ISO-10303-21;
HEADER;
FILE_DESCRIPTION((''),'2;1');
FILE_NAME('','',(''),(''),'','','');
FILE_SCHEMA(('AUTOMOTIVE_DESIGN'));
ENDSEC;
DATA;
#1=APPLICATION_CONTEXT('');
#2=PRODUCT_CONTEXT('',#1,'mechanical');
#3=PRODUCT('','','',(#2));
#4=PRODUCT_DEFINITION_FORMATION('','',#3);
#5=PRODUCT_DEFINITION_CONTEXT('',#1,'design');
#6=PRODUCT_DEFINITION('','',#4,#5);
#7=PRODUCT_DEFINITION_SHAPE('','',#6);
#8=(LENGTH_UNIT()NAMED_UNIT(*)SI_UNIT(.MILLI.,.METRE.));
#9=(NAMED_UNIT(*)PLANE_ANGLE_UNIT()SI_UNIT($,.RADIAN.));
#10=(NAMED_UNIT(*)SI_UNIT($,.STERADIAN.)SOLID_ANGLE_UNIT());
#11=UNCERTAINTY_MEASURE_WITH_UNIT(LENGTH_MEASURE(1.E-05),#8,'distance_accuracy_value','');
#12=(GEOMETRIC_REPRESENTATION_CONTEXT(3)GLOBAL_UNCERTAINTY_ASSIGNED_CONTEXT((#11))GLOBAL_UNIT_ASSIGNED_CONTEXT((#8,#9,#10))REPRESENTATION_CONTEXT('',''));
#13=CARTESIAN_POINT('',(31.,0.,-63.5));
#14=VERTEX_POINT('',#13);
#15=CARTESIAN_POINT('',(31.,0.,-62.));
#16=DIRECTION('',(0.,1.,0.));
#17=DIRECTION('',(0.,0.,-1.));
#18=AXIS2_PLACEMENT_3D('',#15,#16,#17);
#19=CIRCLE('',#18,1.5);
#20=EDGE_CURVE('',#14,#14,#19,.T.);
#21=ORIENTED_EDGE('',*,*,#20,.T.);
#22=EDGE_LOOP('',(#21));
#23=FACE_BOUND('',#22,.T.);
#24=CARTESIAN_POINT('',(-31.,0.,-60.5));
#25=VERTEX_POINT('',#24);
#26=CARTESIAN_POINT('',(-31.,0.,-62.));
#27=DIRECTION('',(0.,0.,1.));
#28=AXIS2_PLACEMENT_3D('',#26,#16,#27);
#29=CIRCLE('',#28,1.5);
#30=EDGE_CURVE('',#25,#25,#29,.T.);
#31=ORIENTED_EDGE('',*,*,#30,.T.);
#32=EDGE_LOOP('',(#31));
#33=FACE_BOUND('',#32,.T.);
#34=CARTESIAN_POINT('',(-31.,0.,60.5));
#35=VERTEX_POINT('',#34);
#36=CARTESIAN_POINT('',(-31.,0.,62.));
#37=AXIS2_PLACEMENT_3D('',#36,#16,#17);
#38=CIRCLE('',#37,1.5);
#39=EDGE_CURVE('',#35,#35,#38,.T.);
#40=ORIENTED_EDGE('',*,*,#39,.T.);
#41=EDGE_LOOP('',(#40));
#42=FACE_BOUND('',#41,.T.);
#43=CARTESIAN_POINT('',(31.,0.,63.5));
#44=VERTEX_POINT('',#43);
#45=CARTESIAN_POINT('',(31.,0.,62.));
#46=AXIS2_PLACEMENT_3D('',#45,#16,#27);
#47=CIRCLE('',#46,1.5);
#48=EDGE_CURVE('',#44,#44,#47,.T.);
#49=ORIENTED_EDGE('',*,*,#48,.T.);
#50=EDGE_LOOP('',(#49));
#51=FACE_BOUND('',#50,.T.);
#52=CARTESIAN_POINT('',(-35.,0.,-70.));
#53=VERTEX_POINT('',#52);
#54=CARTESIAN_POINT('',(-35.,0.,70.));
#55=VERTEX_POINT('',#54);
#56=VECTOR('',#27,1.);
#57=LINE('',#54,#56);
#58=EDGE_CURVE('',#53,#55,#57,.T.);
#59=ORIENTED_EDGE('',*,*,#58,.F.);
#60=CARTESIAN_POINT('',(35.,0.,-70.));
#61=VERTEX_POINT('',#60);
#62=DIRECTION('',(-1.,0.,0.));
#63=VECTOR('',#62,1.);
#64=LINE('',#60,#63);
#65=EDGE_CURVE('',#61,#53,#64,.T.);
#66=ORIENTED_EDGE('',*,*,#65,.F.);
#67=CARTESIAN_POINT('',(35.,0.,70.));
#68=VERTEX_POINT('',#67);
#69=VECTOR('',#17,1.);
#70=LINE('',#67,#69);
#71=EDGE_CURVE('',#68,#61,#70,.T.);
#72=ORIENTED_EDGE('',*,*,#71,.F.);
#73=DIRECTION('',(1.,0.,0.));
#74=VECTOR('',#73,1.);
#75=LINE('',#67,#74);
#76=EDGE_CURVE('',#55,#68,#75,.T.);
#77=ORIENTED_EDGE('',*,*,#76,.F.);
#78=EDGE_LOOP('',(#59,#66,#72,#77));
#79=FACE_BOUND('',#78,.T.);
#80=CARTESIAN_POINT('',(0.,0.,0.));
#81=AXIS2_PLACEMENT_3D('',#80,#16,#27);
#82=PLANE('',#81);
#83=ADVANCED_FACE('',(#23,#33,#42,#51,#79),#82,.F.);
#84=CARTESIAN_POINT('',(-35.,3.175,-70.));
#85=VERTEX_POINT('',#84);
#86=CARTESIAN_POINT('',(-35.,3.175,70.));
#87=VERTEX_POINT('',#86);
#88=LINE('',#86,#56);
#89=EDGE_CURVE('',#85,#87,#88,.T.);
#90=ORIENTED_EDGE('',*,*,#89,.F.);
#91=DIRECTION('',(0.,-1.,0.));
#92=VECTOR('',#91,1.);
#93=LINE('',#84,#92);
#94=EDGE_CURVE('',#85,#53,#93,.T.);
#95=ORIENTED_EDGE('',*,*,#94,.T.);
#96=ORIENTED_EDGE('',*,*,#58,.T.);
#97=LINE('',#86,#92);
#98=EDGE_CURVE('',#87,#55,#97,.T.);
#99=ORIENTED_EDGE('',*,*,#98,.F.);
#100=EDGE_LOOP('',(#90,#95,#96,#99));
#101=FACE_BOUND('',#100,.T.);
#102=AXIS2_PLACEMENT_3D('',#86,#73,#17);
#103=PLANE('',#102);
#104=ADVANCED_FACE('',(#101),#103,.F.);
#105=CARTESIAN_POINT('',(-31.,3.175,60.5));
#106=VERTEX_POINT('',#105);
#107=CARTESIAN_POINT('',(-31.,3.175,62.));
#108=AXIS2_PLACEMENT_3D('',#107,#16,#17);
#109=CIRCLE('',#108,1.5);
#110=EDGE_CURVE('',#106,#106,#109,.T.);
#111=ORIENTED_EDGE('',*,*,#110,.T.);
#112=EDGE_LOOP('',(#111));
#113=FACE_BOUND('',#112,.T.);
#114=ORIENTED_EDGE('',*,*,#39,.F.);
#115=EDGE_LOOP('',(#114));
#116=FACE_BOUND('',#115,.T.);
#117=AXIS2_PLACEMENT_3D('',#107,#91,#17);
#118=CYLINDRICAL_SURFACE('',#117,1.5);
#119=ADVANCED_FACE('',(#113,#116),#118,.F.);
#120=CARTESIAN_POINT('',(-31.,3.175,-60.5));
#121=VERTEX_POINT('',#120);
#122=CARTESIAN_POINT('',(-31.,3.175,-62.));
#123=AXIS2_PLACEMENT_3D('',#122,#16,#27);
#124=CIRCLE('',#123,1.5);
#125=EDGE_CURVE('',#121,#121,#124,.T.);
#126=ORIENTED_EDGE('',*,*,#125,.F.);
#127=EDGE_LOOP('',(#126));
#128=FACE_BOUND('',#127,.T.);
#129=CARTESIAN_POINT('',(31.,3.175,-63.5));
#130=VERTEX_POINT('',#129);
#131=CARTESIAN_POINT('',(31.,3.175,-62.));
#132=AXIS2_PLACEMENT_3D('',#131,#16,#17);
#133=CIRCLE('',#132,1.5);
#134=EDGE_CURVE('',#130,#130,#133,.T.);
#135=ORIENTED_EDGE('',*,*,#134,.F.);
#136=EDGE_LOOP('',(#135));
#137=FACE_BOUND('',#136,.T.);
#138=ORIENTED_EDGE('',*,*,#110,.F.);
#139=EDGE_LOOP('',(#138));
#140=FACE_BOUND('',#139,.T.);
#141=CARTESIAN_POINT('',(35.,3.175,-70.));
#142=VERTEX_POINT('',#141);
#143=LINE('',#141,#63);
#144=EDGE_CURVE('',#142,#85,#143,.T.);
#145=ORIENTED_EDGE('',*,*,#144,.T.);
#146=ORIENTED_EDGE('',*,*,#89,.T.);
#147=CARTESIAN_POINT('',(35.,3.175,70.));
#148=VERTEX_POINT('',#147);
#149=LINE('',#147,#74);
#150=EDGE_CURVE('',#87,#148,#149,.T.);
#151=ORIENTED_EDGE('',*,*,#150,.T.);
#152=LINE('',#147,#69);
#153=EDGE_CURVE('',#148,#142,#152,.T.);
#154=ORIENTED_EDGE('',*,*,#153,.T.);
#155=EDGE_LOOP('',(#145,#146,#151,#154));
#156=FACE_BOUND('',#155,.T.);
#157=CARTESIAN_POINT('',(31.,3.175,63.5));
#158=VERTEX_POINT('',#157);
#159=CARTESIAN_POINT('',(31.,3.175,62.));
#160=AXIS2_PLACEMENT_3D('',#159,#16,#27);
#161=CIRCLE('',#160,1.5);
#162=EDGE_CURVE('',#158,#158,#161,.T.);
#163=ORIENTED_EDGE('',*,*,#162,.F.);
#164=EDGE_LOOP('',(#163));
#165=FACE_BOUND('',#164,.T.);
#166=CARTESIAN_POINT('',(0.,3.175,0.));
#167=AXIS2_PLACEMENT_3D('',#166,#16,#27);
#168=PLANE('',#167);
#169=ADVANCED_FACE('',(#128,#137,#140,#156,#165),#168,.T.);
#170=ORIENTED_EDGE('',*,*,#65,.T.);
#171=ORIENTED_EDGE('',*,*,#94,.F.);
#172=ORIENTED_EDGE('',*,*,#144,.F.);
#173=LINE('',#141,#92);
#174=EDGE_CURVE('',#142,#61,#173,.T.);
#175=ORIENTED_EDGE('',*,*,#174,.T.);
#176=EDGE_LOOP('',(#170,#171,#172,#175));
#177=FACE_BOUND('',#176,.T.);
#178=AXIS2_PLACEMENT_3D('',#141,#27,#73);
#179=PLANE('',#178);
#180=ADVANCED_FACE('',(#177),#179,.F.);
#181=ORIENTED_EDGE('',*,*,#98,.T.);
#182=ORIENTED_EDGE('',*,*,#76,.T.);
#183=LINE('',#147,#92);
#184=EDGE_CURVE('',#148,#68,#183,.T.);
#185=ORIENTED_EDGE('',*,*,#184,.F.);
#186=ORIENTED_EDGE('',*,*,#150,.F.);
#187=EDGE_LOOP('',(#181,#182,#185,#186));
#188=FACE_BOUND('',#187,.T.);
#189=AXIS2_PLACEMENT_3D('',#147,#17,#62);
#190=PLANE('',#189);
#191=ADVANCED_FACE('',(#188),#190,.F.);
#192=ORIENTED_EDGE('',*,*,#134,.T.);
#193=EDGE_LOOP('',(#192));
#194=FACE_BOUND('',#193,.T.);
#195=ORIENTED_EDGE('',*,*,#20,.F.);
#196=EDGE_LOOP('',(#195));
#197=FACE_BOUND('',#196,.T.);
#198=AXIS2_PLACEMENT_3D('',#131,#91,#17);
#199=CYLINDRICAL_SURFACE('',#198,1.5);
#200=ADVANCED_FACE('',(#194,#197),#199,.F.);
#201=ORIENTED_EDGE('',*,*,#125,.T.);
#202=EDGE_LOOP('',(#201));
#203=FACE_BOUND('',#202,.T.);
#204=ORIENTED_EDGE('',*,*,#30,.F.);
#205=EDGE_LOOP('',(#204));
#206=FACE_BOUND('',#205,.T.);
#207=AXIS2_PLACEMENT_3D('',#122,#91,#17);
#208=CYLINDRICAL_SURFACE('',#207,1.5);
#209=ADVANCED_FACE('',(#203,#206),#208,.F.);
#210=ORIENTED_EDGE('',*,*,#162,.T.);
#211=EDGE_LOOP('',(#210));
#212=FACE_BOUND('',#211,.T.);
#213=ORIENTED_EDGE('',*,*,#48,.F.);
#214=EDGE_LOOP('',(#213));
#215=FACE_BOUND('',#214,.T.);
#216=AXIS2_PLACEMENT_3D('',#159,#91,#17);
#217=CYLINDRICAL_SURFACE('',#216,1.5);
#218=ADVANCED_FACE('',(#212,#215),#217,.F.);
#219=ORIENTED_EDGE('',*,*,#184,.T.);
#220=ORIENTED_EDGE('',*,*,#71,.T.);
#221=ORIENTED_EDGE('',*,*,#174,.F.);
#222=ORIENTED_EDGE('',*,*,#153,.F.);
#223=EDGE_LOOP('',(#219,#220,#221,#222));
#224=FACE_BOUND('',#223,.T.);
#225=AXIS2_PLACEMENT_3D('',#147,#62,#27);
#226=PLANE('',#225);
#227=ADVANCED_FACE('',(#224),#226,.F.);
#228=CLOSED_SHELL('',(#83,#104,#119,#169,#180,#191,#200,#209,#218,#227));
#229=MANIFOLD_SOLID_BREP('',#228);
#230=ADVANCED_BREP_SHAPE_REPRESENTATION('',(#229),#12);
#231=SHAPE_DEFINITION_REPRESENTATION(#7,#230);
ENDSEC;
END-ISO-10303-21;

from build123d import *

# Parameters (mm, degrees)
SKETCH2_W           = 70
SKETCH2_H           = 140
SKETCH2_R           = 1.5
BOSS_EXTRUDE1_DEPTH = 3.175


with BuildPart() as part:
    # Sketch2 → Boss-Extrude1 (new body)
    with BuildSketch(Plane(origin=(0, 0, 0), x_dir=(1, 0, 0), z_dir=(0, 1, 0))):
        Rectangle(SKETCH2_W, SKETCH2_H)
        with Locations(Location((31, -62, 0), (0, 0, 270))):
            Circle(SKETCH2_R, mode=Mode.SUBTRACT)
        with Locations(Location((31, 62, 0), (0, 0, 90))):
            Circle(SKETCH2_R, mode=Mode.SUBTRACT)
        with Locations(Location((-31, 62, 0), (0, 0, 270))):
            Circle(SKETCH2_R, mode=Mode.SUBTRACT)
        with Locations(Location((-31, -62, 0), (0, 0, 90))):
            Circle(SKETCH2_R, mode=Mode.SUBTRACT)
    extrude(amount=BOSS_EXTRUDE1_DEPTH)


solid = part.part
